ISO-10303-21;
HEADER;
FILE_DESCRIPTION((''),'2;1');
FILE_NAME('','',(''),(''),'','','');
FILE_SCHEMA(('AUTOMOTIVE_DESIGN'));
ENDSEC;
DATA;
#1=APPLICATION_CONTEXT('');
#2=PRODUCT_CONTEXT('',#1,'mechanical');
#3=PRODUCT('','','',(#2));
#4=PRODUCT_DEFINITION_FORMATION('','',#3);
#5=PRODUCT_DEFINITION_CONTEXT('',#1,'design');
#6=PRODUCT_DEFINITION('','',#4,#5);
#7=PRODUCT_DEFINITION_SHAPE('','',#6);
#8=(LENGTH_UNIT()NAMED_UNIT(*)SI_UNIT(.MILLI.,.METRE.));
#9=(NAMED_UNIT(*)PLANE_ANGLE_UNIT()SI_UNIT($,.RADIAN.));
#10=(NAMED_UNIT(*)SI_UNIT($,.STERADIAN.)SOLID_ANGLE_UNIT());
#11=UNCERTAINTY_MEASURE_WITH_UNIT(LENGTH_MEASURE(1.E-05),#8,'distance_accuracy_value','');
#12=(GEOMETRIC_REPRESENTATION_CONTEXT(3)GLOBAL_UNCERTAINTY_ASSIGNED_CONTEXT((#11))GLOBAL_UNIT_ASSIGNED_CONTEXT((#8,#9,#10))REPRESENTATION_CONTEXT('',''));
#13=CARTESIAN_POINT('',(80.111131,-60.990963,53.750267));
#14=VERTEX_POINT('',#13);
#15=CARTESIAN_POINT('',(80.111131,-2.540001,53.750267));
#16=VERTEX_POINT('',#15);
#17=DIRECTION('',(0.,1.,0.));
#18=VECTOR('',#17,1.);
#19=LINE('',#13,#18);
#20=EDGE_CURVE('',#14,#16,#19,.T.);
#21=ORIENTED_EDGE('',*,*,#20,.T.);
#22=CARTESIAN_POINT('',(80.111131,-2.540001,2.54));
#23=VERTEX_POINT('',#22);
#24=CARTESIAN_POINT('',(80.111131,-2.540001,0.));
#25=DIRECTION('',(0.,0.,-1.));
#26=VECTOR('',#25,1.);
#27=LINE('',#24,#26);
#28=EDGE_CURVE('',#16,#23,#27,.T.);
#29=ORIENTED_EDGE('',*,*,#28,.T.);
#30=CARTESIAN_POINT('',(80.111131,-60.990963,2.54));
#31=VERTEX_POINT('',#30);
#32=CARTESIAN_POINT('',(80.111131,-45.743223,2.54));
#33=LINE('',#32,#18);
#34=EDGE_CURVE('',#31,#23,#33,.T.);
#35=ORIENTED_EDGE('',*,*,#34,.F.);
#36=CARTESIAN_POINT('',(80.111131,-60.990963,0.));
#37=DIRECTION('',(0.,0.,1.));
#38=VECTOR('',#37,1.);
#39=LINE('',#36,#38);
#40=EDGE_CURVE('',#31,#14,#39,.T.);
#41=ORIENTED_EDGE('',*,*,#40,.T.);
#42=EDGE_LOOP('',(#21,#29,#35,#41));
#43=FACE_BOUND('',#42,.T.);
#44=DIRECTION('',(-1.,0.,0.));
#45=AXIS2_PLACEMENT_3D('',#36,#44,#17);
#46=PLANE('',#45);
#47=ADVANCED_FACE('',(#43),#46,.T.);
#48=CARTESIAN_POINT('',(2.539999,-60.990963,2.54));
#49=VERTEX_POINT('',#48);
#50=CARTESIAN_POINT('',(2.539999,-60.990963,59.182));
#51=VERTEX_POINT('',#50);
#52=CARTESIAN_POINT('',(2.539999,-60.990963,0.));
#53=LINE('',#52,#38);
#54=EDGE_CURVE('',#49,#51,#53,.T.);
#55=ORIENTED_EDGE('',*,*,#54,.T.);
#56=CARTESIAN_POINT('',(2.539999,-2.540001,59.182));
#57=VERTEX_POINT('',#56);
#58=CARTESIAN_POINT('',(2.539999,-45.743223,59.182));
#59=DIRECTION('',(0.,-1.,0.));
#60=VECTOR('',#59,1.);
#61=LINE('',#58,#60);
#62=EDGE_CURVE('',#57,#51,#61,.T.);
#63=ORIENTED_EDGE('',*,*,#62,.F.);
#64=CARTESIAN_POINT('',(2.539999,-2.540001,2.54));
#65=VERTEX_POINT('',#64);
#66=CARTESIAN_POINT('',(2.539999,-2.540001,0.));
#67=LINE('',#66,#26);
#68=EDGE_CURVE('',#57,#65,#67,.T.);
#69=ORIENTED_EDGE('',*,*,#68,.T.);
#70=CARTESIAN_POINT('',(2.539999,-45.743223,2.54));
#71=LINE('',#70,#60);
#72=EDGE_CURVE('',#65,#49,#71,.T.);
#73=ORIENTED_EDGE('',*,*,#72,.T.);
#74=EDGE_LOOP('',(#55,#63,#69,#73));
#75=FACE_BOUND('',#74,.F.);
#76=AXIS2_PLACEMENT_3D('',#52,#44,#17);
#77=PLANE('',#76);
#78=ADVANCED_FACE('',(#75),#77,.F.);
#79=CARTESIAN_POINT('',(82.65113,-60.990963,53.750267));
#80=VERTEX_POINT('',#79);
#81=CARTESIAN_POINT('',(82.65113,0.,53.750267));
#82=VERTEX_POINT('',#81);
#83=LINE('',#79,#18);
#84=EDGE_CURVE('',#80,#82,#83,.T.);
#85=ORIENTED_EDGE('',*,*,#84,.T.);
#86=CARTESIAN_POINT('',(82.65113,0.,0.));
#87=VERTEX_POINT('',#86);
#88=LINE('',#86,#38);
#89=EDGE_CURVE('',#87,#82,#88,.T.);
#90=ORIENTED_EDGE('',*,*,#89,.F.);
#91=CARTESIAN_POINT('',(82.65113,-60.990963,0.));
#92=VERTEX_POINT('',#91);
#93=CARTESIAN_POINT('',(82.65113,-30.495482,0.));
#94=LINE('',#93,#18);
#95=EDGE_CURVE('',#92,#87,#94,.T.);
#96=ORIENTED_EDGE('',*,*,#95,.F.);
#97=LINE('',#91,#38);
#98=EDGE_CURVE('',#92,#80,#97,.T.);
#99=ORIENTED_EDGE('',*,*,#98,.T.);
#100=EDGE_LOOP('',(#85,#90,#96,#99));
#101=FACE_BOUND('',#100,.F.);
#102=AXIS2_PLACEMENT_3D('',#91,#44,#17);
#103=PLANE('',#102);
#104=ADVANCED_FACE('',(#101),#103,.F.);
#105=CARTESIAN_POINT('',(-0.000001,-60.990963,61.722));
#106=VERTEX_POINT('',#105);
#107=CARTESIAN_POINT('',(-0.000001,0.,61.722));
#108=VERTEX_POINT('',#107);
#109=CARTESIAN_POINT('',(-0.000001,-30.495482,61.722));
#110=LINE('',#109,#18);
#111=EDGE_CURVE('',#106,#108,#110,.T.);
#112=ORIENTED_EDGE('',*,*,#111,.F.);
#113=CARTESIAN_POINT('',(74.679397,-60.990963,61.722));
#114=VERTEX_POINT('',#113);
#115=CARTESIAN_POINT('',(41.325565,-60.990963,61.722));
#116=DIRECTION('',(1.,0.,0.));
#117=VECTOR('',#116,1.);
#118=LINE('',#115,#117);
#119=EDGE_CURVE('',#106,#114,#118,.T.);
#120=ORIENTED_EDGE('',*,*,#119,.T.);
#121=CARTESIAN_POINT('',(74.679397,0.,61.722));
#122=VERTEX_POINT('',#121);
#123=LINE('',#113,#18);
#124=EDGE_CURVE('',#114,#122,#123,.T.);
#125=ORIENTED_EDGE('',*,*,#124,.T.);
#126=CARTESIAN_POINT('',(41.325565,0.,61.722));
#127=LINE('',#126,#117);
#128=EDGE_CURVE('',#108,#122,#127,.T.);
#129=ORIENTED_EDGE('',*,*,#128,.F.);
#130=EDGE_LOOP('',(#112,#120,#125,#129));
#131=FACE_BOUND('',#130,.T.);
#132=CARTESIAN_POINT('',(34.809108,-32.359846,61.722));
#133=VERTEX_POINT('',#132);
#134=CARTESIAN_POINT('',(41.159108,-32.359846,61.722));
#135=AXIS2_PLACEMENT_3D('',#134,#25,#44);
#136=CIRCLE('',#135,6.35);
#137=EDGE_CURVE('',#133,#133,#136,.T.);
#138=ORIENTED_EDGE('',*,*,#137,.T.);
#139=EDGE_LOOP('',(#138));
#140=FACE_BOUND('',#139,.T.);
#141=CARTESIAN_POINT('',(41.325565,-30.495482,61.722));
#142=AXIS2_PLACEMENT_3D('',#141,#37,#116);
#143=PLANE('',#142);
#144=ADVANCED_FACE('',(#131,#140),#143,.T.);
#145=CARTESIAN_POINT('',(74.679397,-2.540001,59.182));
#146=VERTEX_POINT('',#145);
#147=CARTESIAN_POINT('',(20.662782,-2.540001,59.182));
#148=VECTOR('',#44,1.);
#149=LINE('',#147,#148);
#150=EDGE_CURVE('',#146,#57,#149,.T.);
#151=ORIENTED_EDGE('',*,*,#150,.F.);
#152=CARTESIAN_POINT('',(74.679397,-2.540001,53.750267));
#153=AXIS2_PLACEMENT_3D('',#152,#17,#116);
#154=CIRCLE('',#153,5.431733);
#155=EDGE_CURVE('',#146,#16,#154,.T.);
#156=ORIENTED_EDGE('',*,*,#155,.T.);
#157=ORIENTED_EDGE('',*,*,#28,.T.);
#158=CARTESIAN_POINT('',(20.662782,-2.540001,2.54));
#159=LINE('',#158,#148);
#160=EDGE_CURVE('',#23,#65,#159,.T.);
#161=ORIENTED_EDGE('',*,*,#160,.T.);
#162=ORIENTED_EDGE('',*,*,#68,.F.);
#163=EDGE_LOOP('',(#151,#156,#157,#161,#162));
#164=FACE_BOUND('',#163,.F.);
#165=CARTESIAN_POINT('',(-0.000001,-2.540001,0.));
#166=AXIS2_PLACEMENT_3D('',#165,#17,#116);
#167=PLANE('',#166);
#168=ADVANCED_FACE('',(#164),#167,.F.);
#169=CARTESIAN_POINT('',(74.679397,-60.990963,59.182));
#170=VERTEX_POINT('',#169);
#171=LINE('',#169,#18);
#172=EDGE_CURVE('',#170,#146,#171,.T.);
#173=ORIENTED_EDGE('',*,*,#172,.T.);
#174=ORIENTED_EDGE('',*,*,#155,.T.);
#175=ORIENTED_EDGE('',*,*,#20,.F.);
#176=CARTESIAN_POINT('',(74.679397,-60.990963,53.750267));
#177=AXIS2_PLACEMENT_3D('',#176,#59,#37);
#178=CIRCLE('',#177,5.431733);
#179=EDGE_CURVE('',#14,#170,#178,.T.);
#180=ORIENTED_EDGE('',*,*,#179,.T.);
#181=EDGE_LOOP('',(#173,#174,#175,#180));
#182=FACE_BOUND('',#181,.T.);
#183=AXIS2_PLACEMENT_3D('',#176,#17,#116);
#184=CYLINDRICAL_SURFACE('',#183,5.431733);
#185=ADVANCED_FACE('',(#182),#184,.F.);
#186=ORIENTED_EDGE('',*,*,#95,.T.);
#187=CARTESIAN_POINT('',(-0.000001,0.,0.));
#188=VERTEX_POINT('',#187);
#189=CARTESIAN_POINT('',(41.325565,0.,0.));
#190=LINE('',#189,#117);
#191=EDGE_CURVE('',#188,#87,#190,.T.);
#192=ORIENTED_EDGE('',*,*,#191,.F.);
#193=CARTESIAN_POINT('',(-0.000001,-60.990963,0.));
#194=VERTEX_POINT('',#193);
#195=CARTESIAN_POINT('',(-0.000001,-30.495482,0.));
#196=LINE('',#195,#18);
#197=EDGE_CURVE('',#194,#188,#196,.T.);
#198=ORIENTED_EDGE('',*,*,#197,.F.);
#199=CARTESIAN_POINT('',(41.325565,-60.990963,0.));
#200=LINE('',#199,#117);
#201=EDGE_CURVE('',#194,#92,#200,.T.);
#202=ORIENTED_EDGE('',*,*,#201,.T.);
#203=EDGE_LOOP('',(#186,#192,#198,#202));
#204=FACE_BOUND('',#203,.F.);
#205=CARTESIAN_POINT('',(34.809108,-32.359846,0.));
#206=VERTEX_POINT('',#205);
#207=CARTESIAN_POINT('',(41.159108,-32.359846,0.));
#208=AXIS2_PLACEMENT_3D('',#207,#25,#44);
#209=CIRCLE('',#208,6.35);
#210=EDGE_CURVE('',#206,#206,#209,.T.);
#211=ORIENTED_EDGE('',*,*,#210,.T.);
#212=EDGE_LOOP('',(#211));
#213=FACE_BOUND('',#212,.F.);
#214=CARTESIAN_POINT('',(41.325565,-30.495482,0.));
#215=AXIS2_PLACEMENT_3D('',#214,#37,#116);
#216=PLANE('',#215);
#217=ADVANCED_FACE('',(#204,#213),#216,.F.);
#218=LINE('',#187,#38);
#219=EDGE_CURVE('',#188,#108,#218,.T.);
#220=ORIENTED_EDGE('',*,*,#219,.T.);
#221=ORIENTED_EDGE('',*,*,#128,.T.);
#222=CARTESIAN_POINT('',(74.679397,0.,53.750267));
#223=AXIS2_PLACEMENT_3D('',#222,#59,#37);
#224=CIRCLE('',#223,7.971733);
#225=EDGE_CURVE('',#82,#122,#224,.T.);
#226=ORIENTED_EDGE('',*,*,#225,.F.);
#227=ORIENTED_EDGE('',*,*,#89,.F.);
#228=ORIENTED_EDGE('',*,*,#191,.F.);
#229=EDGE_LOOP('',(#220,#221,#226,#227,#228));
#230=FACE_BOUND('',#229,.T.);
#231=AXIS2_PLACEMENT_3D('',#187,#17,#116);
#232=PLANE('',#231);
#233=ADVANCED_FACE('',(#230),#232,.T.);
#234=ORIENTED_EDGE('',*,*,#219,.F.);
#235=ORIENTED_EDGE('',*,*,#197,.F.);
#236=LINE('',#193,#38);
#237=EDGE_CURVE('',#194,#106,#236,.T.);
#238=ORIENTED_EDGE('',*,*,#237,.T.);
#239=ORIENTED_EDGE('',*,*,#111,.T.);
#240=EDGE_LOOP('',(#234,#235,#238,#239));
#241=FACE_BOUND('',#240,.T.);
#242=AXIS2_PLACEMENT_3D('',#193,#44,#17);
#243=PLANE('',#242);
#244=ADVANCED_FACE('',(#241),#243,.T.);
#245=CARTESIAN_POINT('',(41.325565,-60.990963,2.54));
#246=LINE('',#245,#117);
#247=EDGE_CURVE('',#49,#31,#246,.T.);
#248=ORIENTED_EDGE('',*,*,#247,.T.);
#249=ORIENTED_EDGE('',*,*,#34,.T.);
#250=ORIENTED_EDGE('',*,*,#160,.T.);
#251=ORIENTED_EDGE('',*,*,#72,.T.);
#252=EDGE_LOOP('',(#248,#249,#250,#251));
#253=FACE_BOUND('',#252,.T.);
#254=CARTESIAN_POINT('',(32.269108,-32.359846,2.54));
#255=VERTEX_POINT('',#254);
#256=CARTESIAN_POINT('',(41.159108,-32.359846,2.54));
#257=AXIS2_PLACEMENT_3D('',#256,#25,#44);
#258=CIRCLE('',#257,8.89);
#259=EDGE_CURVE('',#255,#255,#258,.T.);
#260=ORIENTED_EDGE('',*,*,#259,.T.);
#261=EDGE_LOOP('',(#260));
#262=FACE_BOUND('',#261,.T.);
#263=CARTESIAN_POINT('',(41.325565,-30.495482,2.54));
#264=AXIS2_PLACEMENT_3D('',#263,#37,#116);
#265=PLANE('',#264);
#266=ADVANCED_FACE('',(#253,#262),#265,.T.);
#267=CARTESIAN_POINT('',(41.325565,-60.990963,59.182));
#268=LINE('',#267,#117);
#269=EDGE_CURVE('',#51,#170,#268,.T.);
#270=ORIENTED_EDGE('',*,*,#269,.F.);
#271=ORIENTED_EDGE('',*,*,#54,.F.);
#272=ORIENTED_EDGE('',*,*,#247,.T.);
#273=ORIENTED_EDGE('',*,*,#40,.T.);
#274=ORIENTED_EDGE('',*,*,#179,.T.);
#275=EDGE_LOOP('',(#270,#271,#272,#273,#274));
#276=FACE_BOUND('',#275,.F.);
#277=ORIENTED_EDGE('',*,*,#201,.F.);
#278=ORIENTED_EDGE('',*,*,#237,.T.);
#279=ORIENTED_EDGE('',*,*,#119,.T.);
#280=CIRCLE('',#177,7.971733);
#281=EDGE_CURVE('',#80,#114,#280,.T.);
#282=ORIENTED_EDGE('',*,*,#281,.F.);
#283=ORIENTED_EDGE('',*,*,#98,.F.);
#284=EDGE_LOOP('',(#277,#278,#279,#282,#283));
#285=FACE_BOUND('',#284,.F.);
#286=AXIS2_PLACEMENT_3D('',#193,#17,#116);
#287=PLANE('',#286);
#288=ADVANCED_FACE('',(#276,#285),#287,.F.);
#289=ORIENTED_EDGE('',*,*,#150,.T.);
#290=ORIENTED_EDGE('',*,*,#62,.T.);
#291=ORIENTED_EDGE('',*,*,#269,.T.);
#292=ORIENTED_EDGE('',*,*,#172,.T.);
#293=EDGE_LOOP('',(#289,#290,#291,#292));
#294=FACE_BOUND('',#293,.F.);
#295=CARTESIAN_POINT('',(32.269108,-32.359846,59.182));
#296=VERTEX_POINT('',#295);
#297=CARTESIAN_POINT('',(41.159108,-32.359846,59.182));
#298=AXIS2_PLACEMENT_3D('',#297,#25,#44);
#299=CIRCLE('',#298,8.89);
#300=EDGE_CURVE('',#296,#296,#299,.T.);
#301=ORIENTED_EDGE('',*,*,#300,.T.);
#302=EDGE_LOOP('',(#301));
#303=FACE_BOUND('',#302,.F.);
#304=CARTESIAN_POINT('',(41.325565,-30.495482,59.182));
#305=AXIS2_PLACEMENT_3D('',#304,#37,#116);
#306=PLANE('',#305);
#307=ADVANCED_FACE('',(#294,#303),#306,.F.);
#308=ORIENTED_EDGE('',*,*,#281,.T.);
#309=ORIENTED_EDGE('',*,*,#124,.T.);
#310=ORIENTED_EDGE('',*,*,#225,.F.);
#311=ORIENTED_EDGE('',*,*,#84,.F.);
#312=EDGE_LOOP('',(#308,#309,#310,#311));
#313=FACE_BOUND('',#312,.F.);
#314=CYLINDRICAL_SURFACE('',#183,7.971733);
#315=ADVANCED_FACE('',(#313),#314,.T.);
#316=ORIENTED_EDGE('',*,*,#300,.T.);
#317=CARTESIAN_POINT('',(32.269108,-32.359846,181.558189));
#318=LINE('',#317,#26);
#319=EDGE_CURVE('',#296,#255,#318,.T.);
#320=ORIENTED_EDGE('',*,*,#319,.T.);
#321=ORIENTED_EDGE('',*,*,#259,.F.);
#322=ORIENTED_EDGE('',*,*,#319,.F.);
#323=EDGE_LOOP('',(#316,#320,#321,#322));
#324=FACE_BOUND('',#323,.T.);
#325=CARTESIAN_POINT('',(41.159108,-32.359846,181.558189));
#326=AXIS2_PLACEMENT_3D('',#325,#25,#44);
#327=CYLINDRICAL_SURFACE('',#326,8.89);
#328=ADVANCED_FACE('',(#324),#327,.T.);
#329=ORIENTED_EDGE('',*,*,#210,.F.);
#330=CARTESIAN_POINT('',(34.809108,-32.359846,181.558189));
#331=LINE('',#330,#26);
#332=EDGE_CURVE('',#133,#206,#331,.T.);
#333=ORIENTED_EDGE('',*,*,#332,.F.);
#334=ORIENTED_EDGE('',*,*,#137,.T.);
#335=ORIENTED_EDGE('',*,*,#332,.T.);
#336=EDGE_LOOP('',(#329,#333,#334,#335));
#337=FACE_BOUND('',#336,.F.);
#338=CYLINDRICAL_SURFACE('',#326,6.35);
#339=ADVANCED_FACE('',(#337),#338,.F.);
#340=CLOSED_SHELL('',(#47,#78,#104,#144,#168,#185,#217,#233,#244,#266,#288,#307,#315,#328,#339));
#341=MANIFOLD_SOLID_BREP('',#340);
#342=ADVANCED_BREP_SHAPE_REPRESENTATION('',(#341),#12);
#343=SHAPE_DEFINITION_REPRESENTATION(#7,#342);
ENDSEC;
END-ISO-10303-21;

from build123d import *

# Parameters (mm, degrees)
F0_W     = 82.651131
F0_H     = 60.990963
F1_DEPTH = 61.722
F2_R     = 7.971733
F4_D     = 12.7
F5_T     = -2.54


with BuildPart() as f1:
    # F0 (on Top) → F1 (new body)
    with BuildSketch(Plane.XY):
        with Locations((41.325565, -30.495482)):
            Rectangle(F0_W, F0_H)
    extrude(amount=F1_DEPTH)

    # F2
    f2_edges = [f1.edges().sort_by_distance(p)[0] for p in [
        (82.651131, -30.495482, 61.722),
    ]]
    fillet(f2_edges, radius=F2_R)

    # F4 (through all)
    with Locations(Plane.XY.offset(61.722)):
        with Locations((41.159108, -32.359846)):
            Hole(F4_D / 2)

    # F5
    f5_openings = [f1.faces().sort_by_distance(p)[0] for p in [
        (41.219566, -60.990963, 30.783051),
    ]]
    offset(amount=F5_T, openings=f5_openings)


solid = f1.part
